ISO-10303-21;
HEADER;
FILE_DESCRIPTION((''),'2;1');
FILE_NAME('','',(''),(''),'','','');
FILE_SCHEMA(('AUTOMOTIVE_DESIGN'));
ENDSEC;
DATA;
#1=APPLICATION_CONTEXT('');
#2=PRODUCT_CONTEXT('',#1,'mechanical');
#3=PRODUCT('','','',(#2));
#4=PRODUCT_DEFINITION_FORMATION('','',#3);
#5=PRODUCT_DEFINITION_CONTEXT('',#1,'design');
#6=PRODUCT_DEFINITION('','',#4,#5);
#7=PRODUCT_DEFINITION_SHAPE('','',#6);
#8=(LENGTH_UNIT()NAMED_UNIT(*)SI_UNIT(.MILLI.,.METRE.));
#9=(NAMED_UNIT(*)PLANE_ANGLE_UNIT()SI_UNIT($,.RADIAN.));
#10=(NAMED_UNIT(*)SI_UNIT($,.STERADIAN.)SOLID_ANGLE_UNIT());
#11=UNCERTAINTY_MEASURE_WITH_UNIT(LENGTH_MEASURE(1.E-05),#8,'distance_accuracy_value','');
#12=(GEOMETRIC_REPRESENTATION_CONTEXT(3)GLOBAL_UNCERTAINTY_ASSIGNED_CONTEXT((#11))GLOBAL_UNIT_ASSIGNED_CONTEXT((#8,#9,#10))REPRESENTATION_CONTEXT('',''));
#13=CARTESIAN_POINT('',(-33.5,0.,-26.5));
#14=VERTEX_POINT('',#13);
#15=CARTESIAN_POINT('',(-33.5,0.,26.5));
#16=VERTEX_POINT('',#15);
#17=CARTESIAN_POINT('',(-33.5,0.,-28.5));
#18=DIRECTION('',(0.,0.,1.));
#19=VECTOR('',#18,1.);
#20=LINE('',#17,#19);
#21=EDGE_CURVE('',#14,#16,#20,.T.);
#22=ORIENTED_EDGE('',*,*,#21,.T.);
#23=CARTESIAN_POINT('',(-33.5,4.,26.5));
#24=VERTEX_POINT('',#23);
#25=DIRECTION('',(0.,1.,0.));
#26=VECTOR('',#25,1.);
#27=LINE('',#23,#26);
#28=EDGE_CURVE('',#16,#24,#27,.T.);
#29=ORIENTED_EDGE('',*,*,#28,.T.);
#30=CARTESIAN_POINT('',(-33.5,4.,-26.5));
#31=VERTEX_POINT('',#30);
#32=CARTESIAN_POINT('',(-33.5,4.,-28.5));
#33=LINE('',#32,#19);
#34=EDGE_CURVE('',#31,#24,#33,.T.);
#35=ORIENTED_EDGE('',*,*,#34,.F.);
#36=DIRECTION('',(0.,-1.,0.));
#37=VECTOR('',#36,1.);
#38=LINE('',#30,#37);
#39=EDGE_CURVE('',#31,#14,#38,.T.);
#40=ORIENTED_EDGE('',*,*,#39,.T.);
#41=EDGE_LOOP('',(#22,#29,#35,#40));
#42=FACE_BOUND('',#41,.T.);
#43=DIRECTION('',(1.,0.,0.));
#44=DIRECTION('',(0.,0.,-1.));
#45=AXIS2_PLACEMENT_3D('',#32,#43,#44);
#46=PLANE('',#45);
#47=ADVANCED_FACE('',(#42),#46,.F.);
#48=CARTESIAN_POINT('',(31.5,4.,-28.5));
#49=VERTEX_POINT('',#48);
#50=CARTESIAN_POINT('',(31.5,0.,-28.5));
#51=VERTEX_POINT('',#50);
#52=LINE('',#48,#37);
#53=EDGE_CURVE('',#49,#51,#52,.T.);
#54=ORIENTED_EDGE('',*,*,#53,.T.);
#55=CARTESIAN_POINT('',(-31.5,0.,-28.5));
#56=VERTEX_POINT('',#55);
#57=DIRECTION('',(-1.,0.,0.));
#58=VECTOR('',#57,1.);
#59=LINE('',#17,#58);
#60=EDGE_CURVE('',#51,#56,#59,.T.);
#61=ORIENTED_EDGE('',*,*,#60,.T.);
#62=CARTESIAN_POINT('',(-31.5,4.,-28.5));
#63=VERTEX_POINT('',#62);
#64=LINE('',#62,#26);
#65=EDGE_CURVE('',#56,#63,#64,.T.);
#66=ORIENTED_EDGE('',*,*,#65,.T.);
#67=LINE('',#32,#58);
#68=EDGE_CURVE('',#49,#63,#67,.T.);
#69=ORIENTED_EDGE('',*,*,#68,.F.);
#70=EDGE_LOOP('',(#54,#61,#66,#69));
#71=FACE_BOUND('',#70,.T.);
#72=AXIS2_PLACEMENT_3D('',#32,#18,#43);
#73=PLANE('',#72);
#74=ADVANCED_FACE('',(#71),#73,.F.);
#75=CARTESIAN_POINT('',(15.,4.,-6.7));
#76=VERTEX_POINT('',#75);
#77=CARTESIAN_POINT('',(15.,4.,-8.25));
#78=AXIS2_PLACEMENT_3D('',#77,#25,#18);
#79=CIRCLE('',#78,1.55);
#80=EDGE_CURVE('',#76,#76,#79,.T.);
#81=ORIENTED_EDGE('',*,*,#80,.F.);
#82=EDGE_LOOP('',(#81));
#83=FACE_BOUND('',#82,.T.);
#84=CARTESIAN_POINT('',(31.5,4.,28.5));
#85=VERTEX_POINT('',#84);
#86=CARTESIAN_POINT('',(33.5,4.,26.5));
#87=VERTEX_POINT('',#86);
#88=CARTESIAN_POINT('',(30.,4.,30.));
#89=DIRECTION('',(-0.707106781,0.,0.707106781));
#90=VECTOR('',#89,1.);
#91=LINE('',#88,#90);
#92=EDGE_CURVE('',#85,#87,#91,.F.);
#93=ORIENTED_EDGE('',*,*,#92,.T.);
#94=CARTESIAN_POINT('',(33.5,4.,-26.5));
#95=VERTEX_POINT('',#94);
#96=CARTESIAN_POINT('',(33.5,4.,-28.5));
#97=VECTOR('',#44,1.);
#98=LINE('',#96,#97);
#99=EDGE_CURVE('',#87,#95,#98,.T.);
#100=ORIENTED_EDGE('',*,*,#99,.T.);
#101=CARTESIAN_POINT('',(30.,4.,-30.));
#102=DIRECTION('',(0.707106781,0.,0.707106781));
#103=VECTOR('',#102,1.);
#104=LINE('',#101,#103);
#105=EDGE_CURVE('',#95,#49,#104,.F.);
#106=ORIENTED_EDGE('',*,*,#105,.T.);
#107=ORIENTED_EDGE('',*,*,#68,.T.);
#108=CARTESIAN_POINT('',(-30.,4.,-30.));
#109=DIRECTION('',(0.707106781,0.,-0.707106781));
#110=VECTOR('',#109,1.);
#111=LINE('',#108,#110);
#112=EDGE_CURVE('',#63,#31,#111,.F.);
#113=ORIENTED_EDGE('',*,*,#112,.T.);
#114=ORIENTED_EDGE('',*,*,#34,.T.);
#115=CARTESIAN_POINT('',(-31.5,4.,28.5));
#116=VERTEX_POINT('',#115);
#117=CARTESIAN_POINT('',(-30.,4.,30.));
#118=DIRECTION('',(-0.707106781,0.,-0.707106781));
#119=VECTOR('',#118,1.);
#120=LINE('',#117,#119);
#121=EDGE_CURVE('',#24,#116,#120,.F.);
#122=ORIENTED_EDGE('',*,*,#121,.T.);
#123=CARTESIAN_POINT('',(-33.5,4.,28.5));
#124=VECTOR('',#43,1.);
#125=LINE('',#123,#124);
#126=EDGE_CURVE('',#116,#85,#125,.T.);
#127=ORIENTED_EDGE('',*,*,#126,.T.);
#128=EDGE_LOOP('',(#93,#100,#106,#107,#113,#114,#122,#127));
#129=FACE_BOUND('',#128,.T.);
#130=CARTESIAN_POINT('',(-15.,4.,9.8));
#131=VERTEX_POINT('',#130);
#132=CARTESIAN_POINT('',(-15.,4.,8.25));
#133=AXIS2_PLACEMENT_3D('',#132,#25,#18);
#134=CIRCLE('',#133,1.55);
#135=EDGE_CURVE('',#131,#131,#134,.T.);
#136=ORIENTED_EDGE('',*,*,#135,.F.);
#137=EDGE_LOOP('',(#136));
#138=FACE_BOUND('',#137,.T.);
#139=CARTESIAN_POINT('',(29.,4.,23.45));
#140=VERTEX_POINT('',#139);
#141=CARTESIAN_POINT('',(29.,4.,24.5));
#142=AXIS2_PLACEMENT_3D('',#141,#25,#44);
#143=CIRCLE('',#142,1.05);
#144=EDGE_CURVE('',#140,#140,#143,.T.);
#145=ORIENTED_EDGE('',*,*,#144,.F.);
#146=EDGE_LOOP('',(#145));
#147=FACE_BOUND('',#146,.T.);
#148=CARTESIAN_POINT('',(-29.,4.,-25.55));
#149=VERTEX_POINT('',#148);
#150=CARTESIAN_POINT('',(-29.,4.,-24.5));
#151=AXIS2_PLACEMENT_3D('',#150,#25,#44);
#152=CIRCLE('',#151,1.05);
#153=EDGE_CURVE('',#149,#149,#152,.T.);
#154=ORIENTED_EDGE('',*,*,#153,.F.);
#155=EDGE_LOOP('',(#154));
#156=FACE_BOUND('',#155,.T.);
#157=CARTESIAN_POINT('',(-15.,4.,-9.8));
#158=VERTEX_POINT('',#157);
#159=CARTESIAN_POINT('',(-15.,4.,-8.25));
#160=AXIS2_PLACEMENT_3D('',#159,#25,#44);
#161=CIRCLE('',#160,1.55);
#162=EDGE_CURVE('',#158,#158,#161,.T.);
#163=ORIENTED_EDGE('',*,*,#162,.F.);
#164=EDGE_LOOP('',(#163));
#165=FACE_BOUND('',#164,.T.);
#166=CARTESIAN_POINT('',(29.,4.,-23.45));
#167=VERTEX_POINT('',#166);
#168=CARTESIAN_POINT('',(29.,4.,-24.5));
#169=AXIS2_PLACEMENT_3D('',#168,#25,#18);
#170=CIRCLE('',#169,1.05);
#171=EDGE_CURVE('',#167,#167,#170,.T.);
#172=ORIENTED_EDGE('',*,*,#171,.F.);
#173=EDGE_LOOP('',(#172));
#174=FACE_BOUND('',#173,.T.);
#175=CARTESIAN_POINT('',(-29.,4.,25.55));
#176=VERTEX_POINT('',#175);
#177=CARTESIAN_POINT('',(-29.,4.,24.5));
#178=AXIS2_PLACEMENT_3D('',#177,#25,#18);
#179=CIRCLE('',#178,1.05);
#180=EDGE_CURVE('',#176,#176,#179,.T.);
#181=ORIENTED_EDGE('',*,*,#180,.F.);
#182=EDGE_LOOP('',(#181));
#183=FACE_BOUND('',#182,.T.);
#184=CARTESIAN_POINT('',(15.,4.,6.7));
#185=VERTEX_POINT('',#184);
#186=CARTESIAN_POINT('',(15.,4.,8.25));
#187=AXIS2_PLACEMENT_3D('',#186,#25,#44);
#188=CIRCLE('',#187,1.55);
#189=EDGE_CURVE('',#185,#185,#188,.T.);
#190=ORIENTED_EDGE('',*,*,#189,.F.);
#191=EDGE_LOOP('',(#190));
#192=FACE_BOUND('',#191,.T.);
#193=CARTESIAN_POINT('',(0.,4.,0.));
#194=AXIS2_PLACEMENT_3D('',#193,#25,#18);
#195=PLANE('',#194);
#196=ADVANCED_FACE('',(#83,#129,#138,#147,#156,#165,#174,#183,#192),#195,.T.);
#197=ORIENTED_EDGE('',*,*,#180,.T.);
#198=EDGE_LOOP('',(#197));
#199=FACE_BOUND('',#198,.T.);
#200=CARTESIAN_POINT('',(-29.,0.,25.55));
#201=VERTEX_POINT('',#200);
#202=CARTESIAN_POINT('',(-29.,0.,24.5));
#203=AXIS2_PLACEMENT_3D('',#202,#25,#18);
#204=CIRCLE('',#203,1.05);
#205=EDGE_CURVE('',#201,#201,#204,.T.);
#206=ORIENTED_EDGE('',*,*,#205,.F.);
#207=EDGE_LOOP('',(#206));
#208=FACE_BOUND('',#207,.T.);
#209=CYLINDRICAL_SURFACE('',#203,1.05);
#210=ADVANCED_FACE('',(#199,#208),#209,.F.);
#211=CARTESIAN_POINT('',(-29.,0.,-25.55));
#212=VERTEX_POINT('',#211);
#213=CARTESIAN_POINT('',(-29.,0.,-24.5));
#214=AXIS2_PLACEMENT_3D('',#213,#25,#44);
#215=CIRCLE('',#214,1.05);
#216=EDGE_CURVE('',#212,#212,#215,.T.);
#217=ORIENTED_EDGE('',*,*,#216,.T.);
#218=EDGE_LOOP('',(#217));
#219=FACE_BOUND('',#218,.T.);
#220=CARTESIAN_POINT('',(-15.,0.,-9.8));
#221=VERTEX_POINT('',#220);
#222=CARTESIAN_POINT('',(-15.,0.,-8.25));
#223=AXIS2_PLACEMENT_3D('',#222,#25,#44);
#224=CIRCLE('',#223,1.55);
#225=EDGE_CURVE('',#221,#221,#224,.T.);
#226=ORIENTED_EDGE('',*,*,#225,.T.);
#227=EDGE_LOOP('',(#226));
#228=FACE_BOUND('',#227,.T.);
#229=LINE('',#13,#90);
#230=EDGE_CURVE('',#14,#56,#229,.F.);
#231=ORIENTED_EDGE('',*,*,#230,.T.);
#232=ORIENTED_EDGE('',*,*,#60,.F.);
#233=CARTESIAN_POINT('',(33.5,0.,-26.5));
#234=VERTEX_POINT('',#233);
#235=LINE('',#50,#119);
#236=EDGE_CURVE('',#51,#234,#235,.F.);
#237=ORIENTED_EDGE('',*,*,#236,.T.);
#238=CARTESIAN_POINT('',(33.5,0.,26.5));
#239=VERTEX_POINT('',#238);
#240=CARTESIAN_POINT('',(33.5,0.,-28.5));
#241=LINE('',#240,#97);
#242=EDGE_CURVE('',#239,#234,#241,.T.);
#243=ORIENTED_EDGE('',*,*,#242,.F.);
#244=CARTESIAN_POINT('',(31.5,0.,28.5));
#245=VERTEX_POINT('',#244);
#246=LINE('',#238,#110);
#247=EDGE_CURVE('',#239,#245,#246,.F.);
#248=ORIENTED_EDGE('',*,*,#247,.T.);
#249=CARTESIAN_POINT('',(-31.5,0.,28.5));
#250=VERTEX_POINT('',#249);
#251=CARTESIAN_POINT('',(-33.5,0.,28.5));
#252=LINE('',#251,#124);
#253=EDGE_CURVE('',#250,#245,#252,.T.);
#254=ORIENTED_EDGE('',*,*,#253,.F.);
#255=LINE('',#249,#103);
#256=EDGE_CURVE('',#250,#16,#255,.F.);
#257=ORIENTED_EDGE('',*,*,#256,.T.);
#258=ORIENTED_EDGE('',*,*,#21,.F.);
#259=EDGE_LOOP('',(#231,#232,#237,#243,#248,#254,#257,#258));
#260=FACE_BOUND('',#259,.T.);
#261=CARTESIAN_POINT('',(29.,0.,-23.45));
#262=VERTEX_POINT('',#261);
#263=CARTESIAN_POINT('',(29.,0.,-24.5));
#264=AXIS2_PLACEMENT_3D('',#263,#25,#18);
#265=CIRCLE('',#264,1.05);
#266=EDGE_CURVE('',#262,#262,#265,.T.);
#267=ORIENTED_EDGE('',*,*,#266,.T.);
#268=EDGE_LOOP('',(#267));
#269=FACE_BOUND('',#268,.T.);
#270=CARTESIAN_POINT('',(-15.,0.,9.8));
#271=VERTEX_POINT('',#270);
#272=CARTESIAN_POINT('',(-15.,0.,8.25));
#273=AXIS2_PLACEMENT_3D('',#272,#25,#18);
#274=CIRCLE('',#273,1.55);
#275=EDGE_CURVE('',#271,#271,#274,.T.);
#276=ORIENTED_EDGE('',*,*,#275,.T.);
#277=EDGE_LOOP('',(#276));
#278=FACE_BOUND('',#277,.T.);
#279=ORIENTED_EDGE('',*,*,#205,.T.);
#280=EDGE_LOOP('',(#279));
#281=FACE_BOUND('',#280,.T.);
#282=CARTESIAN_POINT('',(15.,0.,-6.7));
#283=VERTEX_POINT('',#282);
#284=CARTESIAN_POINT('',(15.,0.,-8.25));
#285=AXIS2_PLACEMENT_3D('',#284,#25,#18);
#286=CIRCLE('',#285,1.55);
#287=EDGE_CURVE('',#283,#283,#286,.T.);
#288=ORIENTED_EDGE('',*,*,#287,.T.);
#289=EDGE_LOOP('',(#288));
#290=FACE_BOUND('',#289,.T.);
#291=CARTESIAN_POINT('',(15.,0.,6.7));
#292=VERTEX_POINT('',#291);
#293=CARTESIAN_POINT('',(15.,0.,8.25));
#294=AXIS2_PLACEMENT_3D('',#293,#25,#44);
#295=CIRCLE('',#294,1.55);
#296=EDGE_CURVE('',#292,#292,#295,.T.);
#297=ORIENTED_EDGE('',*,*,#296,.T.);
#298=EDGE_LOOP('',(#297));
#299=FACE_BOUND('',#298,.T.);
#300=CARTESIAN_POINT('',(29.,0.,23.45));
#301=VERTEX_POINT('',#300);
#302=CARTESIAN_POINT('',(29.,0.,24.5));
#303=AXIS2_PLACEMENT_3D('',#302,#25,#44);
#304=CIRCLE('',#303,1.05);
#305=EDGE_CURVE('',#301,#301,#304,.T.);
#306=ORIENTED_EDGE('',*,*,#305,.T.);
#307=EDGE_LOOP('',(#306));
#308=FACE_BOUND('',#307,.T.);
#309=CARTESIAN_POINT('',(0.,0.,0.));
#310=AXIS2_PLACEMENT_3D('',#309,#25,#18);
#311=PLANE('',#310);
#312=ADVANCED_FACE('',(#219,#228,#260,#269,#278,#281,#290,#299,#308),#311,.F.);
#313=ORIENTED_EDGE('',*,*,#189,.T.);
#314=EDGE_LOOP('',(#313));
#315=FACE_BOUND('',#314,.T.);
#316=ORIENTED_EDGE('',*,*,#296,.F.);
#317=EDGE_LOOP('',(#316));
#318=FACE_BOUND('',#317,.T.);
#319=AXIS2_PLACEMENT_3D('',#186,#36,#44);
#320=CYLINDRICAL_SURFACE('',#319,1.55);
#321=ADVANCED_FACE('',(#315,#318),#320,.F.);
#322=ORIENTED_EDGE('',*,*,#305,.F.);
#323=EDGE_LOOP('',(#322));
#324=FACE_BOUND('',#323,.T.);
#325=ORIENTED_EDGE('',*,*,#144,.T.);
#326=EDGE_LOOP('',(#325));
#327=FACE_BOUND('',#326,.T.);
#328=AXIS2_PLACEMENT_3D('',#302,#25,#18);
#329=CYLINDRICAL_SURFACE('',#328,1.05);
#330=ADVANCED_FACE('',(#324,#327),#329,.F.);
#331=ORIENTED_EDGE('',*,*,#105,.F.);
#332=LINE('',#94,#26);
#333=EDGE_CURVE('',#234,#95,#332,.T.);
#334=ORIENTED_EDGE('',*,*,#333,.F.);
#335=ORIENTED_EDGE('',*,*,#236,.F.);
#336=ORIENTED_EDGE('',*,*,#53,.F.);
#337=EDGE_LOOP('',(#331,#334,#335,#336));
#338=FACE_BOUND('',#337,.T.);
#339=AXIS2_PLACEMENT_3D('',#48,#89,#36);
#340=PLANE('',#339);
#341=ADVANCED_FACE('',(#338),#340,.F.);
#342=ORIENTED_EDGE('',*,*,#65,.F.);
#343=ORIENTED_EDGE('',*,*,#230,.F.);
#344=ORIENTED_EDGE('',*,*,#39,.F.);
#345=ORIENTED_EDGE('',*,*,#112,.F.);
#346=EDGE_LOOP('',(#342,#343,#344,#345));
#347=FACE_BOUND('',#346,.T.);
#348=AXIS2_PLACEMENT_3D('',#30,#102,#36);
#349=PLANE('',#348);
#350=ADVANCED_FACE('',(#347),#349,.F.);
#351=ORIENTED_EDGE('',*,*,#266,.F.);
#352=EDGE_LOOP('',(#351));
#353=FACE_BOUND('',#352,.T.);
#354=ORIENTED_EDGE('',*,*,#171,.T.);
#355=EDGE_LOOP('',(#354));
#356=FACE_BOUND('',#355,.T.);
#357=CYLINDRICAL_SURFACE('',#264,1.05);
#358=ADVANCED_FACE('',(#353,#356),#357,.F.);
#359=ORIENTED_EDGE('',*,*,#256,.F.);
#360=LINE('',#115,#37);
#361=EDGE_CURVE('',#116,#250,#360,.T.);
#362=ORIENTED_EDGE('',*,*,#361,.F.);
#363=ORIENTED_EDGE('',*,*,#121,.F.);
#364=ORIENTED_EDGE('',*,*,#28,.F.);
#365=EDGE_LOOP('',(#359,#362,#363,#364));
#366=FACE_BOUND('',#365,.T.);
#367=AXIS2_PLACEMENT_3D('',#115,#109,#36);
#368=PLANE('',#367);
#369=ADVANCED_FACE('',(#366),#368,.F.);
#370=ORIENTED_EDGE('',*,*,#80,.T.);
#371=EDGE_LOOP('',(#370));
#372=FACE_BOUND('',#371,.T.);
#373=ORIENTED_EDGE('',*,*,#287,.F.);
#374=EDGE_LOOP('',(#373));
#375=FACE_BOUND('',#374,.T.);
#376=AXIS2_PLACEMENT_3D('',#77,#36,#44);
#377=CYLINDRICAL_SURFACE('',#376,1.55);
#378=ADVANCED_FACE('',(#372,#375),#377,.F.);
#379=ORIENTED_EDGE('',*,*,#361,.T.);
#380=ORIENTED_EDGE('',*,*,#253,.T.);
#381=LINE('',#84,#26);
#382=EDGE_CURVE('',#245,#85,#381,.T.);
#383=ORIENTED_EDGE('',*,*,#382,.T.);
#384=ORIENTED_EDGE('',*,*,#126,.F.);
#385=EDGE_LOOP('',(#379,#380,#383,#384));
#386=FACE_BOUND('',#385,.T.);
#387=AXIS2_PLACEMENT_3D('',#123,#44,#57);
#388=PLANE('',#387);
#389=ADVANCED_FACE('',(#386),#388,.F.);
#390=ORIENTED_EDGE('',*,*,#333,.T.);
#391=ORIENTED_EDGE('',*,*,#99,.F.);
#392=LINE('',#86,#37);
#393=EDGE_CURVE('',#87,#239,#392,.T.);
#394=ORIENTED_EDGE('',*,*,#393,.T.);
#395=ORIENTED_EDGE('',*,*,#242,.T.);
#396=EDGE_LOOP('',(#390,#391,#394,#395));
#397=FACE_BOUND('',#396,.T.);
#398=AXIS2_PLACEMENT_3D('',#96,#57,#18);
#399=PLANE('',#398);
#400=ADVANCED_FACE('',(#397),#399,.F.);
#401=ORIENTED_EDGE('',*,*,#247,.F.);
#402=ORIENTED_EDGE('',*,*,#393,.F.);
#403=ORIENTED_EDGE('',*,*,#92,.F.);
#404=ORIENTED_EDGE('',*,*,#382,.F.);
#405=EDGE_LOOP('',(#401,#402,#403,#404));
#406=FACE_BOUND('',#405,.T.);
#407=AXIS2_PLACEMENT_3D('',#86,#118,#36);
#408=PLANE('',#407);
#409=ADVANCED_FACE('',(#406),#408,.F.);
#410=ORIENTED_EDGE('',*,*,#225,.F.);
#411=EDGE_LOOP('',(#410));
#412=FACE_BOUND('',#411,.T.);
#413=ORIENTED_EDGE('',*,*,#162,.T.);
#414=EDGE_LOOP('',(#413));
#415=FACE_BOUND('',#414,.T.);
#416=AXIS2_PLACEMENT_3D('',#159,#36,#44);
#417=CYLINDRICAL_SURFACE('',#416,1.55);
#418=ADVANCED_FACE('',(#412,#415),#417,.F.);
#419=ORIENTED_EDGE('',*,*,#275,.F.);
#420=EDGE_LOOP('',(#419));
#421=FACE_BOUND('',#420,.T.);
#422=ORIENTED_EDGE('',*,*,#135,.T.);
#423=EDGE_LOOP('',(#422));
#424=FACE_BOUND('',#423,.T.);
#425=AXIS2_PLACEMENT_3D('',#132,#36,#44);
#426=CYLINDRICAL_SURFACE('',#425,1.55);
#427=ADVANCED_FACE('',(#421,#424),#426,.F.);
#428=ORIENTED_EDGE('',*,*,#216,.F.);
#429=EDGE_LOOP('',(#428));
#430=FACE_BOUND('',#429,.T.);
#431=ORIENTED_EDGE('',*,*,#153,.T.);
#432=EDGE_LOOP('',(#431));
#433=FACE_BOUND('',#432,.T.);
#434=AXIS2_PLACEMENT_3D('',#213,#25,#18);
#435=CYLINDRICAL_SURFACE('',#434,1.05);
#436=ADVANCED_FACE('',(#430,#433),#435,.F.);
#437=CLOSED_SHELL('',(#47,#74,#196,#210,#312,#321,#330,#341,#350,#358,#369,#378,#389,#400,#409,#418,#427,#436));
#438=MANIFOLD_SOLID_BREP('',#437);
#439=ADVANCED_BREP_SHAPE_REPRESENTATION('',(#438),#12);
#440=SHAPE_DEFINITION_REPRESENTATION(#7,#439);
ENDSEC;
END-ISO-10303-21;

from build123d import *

# Parameters (mm, degrees)
SKETCH1_W           = 67
SKETCH1_H           = 57
SKETCH1_R           = 1.55
BOSS_EXTRUDE1_DEPTH = 4
SKETCH2_R           = 1.05
CUT_EXTRUDE1_DEPTH  = 45.164465354
CHAMFER1_SIZE       = 2


with BuildPart() as part:
    # Sketch1 → Boss-Extrude1 (new body)
    with BuildSketch(Plane(origin=(0, 0, 0), x_dir=(1, 0, 0), z_dir=(0, 1, 0))):
        Rectangle(SKETCH1_W, SKETCH1_H)
        with Locations(Location((15, 8.25, 0), (0, 0, 270))):
            Circle(SKETCH1_R, mode=Mode.SUBTRACT)
        with Locations(Location((-15, 8.25, 0), (0, 0, 90))):
            Circle(SKETCH1_R, mode=Mode.SUBTRACT)
        with Locations(Location((-15, -8.25, 0), (0, 0, 270))):
            Circle(SKETCH1_R, mode=Mode.SUBTRACT)
        with Locations(Location((15, -8.25, 0), (0, 0, 90))):
            Circle(SKETCH1_R, mode=Mode.SUBTRACT)
    extrude(amount=BOSS_EXTRUDE1_DEPTH)

    # Sketch2 → Cut-Extrude1 (cut, through all)
    with BuildSketch(Plane(origin=(0, 4, 0), x_dir=(1, 0, 0), z_dir=(0, 1, 0))):
        with Locations(Location((29, 24.5, 0), (0, 0, 270))):
            Circle(SKETCH2_R)
        with Locations(Location((-29, 24.5, 0), (0, 0, 90))):
            Circle(SKETCH2_R)
        with Locations(Location((-29, -24.5, 0), (0, 0, 270))):
            Circle(SKETCH2_R)
        with Locations(Location((29, -24.5, 0), (0, 0, 90))):
            Circle(SKETCH2_R)
    extrude(amount=-CUT_EXTRUDE1_DEPTH, mode=Mode.SUBTRACT)

    # Chamfer1
    chamfer1_edges = [part.edges().sort_by_distance(p)[0] for p in [
        (33.5, 2, 28.5),
        (-33.5, 2, 28.5),
        (-33.5, 2, -28.5),
        (33.5, 2, -28.5),
    ]]
    chamfer(chamfer1_edges, length=CHAMFER1_SIZE)


solid = part.part
